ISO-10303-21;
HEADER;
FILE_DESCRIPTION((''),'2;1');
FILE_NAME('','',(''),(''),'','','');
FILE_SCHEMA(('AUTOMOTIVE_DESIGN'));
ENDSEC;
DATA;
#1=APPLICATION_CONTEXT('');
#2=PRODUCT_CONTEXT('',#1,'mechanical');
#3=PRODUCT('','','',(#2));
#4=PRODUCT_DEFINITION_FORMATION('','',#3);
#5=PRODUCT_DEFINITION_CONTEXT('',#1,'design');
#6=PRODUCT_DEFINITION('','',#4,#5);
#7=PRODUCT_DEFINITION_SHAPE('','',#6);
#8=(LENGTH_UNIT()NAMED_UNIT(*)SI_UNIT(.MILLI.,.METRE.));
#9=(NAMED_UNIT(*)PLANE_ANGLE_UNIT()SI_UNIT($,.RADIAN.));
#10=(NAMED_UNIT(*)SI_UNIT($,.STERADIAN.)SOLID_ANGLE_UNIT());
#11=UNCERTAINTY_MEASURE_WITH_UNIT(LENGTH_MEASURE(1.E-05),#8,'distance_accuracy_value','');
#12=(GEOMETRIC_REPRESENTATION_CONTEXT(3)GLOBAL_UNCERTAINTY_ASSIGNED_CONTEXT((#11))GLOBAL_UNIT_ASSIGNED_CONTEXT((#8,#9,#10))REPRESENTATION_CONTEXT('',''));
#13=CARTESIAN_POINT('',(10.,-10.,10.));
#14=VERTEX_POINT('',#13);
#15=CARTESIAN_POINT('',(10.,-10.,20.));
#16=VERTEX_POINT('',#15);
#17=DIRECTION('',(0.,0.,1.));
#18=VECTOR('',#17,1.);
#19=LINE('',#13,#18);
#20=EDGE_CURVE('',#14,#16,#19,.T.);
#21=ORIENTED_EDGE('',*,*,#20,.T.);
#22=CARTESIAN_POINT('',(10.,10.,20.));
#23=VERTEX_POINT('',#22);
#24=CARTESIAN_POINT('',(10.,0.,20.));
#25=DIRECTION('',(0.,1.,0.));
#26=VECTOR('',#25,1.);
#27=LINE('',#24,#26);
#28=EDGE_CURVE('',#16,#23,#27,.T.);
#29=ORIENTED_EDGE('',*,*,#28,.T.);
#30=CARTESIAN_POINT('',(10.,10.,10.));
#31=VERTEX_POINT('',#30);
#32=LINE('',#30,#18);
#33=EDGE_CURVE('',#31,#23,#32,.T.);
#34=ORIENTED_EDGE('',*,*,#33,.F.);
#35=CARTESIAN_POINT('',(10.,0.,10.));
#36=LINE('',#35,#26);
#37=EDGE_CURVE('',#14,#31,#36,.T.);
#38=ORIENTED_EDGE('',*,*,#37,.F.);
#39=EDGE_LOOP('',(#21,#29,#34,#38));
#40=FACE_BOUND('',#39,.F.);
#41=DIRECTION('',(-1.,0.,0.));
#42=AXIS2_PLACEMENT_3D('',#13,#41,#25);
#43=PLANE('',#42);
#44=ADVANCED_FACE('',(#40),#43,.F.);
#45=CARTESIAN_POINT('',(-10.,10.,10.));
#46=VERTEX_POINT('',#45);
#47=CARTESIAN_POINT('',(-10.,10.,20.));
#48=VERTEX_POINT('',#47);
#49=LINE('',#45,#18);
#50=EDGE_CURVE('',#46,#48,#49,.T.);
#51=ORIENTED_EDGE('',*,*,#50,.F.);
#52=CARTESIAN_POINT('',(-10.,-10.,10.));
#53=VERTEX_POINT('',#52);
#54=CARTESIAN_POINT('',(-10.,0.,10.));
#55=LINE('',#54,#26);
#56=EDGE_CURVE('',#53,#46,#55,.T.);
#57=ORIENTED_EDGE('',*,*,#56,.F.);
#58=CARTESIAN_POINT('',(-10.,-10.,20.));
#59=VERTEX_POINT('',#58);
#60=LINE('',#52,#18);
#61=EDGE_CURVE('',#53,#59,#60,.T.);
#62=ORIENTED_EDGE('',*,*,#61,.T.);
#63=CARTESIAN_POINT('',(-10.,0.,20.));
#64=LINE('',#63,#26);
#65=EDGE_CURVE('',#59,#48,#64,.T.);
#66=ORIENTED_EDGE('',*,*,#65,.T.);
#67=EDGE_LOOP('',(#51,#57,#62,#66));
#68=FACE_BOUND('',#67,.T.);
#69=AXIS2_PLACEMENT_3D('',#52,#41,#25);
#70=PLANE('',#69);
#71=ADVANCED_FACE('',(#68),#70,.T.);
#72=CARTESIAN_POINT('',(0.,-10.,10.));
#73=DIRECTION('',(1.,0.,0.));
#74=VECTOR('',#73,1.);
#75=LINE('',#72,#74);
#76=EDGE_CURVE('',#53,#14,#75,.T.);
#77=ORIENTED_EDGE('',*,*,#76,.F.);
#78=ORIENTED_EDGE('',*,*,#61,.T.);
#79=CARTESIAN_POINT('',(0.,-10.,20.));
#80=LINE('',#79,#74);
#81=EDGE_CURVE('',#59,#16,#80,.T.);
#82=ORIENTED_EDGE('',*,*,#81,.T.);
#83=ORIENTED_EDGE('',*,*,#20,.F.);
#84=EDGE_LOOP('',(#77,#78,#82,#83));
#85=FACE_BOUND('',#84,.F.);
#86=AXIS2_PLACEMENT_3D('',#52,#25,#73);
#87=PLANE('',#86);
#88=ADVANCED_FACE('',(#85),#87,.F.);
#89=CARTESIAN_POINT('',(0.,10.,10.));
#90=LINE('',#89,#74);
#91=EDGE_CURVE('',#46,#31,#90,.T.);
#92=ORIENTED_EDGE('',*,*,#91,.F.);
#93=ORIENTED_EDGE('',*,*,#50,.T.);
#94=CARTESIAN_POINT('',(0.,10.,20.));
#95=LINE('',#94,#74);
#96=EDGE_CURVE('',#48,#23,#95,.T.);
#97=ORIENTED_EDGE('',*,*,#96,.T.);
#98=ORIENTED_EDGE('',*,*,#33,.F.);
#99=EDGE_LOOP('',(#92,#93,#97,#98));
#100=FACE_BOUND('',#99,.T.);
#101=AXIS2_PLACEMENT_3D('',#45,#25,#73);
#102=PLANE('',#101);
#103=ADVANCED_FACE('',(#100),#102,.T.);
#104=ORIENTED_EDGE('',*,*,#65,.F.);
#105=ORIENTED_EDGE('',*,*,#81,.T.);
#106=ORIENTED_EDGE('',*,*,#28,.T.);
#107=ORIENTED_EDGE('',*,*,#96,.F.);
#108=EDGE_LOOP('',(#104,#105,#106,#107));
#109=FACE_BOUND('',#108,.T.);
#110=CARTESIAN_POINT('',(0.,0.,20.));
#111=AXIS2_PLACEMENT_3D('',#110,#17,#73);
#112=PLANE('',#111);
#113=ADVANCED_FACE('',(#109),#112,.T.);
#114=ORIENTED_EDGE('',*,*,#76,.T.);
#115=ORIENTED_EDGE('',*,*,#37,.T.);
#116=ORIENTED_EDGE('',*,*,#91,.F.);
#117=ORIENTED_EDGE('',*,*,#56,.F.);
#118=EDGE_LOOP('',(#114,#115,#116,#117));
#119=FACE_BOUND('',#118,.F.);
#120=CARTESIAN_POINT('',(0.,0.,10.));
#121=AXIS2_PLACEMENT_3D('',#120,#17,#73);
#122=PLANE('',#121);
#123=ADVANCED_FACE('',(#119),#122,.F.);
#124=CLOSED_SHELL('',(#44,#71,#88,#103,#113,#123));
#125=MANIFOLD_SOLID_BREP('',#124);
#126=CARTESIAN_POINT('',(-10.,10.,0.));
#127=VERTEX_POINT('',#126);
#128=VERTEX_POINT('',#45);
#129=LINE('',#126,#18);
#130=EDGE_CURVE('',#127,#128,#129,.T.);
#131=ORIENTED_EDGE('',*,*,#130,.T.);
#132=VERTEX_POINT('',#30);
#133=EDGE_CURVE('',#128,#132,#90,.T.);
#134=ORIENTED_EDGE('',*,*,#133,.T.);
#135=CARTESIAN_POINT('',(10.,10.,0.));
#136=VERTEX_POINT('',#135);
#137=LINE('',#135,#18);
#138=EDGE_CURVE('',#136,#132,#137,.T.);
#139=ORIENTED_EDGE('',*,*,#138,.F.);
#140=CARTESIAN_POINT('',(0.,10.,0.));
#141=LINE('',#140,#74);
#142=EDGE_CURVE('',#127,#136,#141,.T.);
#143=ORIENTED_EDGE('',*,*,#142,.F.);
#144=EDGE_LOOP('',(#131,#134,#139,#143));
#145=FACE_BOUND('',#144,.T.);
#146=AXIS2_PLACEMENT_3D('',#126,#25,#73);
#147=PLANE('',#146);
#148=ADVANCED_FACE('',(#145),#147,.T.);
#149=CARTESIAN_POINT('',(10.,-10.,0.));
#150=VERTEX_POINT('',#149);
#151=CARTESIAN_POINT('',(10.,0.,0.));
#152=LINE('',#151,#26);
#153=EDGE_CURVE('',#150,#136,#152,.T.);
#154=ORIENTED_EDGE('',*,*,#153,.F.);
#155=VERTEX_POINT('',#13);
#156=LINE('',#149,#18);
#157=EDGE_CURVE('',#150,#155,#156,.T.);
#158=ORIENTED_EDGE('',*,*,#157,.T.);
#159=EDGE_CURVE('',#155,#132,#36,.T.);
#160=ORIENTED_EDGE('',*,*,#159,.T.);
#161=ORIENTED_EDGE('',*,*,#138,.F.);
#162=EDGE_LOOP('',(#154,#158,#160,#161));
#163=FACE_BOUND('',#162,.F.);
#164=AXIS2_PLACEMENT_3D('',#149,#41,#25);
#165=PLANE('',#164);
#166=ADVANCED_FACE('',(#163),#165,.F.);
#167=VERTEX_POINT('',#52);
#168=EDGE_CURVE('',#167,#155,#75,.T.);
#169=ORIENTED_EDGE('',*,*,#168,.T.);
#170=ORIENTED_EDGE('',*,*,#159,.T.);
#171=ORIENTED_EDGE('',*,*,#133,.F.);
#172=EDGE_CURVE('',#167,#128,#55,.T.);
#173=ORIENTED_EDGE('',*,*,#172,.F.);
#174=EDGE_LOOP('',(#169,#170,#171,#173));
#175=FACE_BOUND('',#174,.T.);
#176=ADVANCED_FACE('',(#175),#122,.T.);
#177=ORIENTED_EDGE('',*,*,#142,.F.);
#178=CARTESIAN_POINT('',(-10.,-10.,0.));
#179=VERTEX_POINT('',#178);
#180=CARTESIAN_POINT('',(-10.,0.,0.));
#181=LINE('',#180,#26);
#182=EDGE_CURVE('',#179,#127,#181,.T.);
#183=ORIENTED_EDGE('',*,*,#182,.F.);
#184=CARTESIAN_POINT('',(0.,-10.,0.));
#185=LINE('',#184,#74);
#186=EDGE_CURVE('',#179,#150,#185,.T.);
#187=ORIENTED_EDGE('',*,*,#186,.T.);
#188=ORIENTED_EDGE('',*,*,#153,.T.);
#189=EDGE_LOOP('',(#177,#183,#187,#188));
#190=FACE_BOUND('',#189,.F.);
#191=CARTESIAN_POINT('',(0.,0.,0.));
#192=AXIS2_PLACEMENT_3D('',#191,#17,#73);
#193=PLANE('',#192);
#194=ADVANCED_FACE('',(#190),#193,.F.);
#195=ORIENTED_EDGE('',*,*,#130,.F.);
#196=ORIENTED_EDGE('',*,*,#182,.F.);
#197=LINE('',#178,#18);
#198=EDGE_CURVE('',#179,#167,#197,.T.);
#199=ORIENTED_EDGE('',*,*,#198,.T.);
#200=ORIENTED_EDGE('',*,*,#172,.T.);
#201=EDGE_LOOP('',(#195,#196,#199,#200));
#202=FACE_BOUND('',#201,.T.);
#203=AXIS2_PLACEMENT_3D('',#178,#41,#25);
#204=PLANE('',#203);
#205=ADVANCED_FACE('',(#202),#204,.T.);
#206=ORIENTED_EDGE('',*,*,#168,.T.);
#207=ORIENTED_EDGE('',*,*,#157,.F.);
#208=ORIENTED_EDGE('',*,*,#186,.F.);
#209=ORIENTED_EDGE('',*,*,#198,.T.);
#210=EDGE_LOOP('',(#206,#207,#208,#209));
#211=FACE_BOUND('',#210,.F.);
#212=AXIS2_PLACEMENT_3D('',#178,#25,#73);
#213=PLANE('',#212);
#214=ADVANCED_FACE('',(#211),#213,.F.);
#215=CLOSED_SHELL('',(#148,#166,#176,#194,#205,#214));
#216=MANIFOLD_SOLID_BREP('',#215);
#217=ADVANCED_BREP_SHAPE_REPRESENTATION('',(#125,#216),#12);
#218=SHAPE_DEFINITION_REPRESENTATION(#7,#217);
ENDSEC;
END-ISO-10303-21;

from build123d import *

# Parameters (mm, degrees)
F0_W     = 20
F0_H     = 20
F1_DEPTH = 10
F2_W     = 20
F2_H     = 20
F3_DEPTH = 10


with BuildPart() as f1:
    # F0 (on Top) → F1 (new body)
    with BuildSketch(Plane.XY):
        Rectangle(F0_W, F0_H)
    extrude(amount=F1_DEPTH)


with BuildPart() as f3:
    # F2 (on face) → F3 (new body)
    with BuildSketch(Plane.XY.offset(10)):
        Rectangle(F2_W, F2_H)
    extrude(amount=F3_DEPTH)


solid = Compound([f1.part, f3.part])
